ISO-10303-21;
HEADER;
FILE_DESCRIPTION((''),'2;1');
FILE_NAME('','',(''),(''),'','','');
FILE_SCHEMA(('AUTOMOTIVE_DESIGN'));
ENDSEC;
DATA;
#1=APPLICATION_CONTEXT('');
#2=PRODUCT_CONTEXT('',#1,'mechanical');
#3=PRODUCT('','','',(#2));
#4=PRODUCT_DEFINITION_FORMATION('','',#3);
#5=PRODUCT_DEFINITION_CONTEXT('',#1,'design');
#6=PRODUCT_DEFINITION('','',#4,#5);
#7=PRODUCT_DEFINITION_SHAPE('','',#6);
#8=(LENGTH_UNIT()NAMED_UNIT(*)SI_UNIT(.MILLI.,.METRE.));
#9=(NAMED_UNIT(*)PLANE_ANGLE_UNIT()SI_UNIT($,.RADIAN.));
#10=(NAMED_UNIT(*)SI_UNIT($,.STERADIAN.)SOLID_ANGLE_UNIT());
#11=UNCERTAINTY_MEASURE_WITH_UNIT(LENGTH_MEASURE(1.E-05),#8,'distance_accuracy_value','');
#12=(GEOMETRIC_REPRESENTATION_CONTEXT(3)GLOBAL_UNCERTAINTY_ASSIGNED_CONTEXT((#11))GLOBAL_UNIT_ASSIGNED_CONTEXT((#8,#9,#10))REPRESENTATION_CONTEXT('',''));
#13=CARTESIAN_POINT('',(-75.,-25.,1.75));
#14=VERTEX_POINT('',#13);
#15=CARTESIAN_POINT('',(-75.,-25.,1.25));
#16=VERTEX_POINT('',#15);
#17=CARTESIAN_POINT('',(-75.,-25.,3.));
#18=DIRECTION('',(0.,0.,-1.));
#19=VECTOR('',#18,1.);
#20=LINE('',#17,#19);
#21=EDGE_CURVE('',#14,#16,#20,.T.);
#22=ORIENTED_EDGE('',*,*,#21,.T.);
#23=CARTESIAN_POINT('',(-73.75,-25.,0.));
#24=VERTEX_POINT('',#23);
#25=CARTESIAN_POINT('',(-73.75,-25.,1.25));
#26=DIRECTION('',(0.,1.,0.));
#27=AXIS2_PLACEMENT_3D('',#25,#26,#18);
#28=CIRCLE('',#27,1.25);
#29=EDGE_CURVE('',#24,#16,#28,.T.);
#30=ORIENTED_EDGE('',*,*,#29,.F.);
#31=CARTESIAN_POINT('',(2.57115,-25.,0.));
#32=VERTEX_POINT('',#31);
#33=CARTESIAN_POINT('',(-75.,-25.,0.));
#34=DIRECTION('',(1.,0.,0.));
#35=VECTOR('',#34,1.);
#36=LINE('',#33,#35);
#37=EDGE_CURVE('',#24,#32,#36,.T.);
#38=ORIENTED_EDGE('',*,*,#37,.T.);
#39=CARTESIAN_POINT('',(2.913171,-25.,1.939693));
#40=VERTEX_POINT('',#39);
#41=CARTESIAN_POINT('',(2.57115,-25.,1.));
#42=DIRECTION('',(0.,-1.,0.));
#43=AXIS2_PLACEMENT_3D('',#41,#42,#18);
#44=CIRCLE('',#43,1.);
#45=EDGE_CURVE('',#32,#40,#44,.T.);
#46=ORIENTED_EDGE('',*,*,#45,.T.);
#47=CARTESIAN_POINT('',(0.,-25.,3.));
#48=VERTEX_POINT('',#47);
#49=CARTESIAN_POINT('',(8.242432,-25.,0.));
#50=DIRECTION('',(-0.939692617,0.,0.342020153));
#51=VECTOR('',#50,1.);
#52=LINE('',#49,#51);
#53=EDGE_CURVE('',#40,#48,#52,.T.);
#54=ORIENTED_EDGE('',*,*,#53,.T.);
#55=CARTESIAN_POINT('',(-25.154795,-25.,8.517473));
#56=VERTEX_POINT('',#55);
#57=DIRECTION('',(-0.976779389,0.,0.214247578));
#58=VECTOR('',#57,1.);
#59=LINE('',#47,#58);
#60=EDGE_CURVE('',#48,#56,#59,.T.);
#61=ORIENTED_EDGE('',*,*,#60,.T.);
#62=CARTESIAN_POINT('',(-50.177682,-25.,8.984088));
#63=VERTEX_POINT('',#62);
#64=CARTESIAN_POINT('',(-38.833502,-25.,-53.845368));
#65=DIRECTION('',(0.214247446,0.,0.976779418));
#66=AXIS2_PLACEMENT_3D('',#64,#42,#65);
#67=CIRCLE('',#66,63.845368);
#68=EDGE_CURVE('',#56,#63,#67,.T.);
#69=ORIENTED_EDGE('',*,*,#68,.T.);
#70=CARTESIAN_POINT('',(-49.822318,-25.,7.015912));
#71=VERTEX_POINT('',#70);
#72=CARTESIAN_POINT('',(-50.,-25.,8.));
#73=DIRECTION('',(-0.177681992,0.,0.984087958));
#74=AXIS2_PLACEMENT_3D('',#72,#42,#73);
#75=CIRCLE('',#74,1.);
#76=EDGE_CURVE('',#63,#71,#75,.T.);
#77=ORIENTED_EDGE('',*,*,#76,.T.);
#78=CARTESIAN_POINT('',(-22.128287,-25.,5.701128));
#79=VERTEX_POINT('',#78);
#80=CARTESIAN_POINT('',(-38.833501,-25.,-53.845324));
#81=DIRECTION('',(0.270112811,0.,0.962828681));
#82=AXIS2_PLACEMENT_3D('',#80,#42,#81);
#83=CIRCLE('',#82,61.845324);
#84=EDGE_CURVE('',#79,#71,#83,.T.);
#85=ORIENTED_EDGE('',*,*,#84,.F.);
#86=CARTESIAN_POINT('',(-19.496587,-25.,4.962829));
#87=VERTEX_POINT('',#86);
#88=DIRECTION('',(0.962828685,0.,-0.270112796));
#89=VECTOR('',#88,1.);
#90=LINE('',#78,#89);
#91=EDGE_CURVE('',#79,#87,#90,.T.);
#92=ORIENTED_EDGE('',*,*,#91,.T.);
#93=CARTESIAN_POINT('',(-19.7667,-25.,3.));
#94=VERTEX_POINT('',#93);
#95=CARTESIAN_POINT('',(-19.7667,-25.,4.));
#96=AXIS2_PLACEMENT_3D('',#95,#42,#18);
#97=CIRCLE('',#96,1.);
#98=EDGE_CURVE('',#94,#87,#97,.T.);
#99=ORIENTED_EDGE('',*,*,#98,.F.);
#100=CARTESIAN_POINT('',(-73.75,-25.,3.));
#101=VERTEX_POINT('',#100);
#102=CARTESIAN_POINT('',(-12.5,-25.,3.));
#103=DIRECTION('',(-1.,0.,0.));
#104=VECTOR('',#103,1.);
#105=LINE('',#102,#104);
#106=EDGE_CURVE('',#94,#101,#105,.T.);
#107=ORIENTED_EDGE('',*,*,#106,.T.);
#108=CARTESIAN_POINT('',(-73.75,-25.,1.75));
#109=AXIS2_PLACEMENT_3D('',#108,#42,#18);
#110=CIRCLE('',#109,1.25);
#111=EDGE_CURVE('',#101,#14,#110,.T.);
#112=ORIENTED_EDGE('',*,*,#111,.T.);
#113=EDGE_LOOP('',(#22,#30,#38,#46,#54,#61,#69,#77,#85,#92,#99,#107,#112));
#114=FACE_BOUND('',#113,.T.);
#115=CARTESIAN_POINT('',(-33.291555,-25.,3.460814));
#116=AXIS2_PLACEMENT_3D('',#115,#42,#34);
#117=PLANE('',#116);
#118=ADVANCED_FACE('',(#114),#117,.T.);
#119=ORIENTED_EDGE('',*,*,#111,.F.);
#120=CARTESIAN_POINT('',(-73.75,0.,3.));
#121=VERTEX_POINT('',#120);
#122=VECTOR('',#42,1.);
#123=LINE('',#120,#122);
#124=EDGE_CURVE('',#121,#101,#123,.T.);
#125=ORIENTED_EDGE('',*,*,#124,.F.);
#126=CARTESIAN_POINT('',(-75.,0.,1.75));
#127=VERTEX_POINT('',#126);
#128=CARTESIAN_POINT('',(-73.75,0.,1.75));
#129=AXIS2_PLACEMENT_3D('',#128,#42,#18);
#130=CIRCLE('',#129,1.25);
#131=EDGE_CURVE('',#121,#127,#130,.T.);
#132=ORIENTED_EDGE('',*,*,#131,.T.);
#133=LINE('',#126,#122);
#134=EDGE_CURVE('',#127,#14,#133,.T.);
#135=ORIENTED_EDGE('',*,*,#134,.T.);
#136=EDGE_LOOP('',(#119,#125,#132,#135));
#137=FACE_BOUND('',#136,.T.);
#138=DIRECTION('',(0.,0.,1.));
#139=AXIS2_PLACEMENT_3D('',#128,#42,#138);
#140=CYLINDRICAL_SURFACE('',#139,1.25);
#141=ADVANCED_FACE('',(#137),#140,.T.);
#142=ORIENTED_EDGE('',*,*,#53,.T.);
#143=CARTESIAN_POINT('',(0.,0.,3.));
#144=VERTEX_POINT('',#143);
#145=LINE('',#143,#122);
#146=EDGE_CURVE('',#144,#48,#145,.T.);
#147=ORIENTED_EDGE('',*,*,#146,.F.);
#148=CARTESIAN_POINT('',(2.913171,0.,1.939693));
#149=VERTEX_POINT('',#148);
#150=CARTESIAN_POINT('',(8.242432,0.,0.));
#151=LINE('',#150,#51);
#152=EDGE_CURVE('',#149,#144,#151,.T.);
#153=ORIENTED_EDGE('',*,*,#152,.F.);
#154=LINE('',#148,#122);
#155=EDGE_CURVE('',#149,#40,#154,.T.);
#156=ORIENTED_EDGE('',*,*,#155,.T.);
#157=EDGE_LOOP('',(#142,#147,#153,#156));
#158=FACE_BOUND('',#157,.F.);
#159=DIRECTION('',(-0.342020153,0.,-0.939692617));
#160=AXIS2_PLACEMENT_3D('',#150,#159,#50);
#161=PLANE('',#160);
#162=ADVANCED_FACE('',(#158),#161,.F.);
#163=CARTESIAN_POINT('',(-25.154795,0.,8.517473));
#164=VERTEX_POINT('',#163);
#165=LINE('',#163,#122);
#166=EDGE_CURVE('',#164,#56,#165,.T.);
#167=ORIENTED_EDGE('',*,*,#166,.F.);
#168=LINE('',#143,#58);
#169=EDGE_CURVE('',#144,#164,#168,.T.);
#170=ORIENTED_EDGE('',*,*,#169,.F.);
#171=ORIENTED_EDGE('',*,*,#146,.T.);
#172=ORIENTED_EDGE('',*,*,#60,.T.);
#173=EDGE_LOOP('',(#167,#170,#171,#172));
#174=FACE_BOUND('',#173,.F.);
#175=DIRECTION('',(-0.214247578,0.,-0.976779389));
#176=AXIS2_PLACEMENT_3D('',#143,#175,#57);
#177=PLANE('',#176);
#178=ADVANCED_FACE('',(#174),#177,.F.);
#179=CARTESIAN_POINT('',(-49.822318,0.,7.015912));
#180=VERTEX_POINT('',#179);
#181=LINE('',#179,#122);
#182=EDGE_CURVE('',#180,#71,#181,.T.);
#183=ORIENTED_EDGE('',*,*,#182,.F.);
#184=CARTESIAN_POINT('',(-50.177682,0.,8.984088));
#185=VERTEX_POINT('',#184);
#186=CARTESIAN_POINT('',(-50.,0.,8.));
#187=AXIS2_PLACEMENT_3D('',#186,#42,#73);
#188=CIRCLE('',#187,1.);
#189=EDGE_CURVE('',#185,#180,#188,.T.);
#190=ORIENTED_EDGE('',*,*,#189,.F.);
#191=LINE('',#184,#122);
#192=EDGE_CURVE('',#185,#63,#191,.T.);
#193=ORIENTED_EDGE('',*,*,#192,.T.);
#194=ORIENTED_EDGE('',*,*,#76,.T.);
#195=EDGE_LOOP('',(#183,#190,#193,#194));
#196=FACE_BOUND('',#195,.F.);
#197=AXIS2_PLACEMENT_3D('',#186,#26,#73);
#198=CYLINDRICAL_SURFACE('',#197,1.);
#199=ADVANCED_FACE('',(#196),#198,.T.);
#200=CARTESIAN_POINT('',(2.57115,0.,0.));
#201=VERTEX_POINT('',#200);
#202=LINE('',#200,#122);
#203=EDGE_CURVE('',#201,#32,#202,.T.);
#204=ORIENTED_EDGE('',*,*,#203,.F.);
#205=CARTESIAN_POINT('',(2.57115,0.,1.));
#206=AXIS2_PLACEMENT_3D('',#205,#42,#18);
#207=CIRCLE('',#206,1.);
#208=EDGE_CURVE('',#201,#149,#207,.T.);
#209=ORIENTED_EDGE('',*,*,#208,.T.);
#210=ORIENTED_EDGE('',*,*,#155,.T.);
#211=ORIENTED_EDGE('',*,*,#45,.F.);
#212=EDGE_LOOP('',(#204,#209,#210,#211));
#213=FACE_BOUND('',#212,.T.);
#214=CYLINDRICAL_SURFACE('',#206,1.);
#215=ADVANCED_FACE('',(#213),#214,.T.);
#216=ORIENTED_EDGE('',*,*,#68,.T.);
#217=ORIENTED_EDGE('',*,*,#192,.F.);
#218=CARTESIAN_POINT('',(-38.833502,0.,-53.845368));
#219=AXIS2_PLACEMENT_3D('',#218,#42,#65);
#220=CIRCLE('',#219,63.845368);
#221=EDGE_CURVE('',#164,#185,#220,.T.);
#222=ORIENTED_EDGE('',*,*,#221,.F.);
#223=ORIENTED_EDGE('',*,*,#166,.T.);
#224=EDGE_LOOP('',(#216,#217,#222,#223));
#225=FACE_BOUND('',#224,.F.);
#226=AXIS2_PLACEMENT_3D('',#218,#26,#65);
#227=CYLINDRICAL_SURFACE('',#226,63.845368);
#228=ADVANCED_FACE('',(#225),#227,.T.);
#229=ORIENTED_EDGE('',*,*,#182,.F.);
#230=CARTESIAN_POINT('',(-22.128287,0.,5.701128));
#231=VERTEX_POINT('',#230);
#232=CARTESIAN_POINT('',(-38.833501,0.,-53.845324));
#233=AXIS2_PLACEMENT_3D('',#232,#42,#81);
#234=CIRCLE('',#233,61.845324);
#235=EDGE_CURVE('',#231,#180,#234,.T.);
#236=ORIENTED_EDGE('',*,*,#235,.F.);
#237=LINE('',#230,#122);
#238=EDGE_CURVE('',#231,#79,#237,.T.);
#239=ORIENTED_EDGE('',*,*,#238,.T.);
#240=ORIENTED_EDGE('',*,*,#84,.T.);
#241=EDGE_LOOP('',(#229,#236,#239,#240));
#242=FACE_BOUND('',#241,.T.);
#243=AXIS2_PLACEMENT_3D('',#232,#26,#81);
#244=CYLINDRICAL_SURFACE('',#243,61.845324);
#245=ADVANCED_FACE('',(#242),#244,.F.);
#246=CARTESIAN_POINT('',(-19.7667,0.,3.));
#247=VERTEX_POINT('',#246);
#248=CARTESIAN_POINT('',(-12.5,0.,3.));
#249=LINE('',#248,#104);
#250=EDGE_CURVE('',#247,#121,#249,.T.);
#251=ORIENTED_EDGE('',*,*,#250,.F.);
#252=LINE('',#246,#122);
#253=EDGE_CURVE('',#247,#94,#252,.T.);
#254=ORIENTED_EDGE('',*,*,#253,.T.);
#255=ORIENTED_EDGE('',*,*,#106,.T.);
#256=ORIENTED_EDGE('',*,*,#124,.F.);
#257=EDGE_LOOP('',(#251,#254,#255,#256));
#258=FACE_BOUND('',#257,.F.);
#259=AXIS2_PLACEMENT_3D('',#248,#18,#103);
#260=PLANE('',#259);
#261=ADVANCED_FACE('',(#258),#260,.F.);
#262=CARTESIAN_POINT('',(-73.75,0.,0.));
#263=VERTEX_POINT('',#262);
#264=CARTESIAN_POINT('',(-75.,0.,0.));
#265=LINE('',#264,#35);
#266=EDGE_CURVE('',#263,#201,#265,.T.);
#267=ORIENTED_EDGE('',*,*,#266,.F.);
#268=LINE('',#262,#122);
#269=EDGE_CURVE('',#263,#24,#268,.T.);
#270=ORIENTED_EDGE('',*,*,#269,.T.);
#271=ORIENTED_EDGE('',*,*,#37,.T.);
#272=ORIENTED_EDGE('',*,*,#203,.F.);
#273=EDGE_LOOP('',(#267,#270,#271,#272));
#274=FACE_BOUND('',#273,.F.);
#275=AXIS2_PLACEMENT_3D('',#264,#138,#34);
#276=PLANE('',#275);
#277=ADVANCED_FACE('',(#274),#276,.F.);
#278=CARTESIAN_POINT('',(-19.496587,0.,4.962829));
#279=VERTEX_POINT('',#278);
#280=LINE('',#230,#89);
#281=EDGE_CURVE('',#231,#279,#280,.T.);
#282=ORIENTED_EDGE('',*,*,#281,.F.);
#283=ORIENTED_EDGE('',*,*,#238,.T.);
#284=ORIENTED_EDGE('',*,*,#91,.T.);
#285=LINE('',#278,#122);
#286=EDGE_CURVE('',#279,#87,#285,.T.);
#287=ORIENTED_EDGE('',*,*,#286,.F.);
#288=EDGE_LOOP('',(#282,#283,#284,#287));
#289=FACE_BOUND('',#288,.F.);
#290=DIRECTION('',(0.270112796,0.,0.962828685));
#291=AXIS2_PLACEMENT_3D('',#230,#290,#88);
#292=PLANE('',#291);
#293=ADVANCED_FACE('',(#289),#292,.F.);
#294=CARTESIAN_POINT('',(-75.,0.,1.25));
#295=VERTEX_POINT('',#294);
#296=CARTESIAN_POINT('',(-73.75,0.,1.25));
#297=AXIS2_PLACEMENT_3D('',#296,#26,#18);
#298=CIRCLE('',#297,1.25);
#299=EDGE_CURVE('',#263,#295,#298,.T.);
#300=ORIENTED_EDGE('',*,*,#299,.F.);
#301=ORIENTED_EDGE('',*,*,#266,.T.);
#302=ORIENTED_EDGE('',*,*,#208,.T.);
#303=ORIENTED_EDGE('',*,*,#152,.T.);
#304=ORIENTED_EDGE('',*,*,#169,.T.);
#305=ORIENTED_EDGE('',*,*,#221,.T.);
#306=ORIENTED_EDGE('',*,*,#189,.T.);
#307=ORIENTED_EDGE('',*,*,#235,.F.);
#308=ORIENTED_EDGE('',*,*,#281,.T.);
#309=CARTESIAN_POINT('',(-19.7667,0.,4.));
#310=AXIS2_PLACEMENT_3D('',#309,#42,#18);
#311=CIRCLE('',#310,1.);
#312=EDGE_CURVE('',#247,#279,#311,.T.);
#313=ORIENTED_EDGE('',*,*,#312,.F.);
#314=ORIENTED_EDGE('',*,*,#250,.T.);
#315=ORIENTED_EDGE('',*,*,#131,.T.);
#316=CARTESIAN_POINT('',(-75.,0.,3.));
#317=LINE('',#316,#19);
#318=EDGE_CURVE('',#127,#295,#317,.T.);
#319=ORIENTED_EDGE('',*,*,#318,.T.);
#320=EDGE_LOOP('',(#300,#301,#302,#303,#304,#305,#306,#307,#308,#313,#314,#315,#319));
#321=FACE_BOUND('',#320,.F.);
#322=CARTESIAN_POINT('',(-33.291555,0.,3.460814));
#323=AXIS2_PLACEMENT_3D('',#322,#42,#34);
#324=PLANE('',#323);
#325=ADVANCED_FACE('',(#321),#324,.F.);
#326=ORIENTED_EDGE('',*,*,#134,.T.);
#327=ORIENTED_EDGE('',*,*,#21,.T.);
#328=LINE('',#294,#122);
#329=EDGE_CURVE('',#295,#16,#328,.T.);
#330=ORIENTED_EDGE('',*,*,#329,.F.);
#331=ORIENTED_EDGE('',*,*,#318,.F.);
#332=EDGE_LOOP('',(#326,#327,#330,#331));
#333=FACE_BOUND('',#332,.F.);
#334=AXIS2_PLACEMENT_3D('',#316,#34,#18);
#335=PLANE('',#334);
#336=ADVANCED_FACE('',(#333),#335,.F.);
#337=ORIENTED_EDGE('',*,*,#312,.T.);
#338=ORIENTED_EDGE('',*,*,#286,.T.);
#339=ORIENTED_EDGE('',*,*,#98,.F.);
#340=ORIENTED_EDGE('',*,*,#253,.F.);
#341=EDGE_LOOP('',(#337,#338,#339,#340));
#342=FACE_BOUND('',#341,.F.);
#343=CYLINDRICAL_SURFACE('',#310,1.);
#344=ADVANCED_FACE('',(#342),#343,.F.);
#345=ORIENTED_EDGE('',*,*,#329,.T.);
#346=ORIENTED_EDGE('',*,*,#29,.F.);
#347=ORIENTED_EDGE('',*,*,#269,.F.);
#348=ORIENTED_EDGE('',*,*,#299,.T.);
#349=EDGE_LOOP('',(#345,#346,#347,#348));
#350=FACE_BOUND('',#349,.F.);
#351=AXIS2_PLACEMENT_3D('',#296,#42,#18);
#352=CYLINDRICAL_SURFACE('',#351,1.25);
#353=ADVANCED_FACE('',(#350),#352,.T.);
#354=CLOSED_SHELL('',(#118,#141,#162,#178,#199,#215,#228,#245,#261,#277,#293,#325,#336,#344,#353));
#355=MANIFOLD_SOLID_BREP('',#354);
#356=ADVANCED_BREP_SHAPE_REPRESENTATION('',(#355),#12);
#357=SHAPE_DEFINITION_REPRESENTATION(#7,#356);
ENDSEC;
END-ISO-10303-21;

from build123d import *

# Parameters (mm, degrees)
PAD_DEPTH   = 25
FILLET_R    = 1.25
FILLET001_R = 1


with BuildPart() as part:
    # Sketch → Pad (new body)
    with BuildSketch(Plane.XZ):
        with BuildLine():
            Line((-75, 0), (0, 0))
            Line((0, 0), (8.242432, 0))
            Line((8.242432, 0), (0, 3))
            Line((0, 3), (-25.154795, 8.517473))
            ThreePointArc((-25.154795, 8.517473), (-37.643151, 9.988902), (-50.177682, 8.984088))
            ThreePointArc((-50.177682, 8.984088), (-50.984088, 7.822318), (-49.822318, 7.015912))
            ThreePointArc((-22.128287, 5.701128), (-35.900676, 7.930421), (-49.822318, 7.015912))
            Line((-22.128287, 5.701128), (-12.5, 3))
            Line((-12.5, 3), (-75, 3))
            Line((-75, 3), (-75, 0))
        make_face()
    extrude(amount=PAD_DEPTH)

    # Fillet
    fillet_edges = [part.edges().sort_by_distance(p)[0] for p in [
        (-75, -12.5, 3),
        (-75, -12.5, 0),
    ]]
    fillet(fillet_edges, radius=FILLET_R)

    # Fillet001
    fillet001_edges = [part.edges().sort_by_distance(p)[0] for p in [
        (-12.5, -12.5, 3),
        (8.242432, -12.5, 0),
    ]]
    fillet(fillet001_edges, radius=FILLET001_R)


solid = part.part
